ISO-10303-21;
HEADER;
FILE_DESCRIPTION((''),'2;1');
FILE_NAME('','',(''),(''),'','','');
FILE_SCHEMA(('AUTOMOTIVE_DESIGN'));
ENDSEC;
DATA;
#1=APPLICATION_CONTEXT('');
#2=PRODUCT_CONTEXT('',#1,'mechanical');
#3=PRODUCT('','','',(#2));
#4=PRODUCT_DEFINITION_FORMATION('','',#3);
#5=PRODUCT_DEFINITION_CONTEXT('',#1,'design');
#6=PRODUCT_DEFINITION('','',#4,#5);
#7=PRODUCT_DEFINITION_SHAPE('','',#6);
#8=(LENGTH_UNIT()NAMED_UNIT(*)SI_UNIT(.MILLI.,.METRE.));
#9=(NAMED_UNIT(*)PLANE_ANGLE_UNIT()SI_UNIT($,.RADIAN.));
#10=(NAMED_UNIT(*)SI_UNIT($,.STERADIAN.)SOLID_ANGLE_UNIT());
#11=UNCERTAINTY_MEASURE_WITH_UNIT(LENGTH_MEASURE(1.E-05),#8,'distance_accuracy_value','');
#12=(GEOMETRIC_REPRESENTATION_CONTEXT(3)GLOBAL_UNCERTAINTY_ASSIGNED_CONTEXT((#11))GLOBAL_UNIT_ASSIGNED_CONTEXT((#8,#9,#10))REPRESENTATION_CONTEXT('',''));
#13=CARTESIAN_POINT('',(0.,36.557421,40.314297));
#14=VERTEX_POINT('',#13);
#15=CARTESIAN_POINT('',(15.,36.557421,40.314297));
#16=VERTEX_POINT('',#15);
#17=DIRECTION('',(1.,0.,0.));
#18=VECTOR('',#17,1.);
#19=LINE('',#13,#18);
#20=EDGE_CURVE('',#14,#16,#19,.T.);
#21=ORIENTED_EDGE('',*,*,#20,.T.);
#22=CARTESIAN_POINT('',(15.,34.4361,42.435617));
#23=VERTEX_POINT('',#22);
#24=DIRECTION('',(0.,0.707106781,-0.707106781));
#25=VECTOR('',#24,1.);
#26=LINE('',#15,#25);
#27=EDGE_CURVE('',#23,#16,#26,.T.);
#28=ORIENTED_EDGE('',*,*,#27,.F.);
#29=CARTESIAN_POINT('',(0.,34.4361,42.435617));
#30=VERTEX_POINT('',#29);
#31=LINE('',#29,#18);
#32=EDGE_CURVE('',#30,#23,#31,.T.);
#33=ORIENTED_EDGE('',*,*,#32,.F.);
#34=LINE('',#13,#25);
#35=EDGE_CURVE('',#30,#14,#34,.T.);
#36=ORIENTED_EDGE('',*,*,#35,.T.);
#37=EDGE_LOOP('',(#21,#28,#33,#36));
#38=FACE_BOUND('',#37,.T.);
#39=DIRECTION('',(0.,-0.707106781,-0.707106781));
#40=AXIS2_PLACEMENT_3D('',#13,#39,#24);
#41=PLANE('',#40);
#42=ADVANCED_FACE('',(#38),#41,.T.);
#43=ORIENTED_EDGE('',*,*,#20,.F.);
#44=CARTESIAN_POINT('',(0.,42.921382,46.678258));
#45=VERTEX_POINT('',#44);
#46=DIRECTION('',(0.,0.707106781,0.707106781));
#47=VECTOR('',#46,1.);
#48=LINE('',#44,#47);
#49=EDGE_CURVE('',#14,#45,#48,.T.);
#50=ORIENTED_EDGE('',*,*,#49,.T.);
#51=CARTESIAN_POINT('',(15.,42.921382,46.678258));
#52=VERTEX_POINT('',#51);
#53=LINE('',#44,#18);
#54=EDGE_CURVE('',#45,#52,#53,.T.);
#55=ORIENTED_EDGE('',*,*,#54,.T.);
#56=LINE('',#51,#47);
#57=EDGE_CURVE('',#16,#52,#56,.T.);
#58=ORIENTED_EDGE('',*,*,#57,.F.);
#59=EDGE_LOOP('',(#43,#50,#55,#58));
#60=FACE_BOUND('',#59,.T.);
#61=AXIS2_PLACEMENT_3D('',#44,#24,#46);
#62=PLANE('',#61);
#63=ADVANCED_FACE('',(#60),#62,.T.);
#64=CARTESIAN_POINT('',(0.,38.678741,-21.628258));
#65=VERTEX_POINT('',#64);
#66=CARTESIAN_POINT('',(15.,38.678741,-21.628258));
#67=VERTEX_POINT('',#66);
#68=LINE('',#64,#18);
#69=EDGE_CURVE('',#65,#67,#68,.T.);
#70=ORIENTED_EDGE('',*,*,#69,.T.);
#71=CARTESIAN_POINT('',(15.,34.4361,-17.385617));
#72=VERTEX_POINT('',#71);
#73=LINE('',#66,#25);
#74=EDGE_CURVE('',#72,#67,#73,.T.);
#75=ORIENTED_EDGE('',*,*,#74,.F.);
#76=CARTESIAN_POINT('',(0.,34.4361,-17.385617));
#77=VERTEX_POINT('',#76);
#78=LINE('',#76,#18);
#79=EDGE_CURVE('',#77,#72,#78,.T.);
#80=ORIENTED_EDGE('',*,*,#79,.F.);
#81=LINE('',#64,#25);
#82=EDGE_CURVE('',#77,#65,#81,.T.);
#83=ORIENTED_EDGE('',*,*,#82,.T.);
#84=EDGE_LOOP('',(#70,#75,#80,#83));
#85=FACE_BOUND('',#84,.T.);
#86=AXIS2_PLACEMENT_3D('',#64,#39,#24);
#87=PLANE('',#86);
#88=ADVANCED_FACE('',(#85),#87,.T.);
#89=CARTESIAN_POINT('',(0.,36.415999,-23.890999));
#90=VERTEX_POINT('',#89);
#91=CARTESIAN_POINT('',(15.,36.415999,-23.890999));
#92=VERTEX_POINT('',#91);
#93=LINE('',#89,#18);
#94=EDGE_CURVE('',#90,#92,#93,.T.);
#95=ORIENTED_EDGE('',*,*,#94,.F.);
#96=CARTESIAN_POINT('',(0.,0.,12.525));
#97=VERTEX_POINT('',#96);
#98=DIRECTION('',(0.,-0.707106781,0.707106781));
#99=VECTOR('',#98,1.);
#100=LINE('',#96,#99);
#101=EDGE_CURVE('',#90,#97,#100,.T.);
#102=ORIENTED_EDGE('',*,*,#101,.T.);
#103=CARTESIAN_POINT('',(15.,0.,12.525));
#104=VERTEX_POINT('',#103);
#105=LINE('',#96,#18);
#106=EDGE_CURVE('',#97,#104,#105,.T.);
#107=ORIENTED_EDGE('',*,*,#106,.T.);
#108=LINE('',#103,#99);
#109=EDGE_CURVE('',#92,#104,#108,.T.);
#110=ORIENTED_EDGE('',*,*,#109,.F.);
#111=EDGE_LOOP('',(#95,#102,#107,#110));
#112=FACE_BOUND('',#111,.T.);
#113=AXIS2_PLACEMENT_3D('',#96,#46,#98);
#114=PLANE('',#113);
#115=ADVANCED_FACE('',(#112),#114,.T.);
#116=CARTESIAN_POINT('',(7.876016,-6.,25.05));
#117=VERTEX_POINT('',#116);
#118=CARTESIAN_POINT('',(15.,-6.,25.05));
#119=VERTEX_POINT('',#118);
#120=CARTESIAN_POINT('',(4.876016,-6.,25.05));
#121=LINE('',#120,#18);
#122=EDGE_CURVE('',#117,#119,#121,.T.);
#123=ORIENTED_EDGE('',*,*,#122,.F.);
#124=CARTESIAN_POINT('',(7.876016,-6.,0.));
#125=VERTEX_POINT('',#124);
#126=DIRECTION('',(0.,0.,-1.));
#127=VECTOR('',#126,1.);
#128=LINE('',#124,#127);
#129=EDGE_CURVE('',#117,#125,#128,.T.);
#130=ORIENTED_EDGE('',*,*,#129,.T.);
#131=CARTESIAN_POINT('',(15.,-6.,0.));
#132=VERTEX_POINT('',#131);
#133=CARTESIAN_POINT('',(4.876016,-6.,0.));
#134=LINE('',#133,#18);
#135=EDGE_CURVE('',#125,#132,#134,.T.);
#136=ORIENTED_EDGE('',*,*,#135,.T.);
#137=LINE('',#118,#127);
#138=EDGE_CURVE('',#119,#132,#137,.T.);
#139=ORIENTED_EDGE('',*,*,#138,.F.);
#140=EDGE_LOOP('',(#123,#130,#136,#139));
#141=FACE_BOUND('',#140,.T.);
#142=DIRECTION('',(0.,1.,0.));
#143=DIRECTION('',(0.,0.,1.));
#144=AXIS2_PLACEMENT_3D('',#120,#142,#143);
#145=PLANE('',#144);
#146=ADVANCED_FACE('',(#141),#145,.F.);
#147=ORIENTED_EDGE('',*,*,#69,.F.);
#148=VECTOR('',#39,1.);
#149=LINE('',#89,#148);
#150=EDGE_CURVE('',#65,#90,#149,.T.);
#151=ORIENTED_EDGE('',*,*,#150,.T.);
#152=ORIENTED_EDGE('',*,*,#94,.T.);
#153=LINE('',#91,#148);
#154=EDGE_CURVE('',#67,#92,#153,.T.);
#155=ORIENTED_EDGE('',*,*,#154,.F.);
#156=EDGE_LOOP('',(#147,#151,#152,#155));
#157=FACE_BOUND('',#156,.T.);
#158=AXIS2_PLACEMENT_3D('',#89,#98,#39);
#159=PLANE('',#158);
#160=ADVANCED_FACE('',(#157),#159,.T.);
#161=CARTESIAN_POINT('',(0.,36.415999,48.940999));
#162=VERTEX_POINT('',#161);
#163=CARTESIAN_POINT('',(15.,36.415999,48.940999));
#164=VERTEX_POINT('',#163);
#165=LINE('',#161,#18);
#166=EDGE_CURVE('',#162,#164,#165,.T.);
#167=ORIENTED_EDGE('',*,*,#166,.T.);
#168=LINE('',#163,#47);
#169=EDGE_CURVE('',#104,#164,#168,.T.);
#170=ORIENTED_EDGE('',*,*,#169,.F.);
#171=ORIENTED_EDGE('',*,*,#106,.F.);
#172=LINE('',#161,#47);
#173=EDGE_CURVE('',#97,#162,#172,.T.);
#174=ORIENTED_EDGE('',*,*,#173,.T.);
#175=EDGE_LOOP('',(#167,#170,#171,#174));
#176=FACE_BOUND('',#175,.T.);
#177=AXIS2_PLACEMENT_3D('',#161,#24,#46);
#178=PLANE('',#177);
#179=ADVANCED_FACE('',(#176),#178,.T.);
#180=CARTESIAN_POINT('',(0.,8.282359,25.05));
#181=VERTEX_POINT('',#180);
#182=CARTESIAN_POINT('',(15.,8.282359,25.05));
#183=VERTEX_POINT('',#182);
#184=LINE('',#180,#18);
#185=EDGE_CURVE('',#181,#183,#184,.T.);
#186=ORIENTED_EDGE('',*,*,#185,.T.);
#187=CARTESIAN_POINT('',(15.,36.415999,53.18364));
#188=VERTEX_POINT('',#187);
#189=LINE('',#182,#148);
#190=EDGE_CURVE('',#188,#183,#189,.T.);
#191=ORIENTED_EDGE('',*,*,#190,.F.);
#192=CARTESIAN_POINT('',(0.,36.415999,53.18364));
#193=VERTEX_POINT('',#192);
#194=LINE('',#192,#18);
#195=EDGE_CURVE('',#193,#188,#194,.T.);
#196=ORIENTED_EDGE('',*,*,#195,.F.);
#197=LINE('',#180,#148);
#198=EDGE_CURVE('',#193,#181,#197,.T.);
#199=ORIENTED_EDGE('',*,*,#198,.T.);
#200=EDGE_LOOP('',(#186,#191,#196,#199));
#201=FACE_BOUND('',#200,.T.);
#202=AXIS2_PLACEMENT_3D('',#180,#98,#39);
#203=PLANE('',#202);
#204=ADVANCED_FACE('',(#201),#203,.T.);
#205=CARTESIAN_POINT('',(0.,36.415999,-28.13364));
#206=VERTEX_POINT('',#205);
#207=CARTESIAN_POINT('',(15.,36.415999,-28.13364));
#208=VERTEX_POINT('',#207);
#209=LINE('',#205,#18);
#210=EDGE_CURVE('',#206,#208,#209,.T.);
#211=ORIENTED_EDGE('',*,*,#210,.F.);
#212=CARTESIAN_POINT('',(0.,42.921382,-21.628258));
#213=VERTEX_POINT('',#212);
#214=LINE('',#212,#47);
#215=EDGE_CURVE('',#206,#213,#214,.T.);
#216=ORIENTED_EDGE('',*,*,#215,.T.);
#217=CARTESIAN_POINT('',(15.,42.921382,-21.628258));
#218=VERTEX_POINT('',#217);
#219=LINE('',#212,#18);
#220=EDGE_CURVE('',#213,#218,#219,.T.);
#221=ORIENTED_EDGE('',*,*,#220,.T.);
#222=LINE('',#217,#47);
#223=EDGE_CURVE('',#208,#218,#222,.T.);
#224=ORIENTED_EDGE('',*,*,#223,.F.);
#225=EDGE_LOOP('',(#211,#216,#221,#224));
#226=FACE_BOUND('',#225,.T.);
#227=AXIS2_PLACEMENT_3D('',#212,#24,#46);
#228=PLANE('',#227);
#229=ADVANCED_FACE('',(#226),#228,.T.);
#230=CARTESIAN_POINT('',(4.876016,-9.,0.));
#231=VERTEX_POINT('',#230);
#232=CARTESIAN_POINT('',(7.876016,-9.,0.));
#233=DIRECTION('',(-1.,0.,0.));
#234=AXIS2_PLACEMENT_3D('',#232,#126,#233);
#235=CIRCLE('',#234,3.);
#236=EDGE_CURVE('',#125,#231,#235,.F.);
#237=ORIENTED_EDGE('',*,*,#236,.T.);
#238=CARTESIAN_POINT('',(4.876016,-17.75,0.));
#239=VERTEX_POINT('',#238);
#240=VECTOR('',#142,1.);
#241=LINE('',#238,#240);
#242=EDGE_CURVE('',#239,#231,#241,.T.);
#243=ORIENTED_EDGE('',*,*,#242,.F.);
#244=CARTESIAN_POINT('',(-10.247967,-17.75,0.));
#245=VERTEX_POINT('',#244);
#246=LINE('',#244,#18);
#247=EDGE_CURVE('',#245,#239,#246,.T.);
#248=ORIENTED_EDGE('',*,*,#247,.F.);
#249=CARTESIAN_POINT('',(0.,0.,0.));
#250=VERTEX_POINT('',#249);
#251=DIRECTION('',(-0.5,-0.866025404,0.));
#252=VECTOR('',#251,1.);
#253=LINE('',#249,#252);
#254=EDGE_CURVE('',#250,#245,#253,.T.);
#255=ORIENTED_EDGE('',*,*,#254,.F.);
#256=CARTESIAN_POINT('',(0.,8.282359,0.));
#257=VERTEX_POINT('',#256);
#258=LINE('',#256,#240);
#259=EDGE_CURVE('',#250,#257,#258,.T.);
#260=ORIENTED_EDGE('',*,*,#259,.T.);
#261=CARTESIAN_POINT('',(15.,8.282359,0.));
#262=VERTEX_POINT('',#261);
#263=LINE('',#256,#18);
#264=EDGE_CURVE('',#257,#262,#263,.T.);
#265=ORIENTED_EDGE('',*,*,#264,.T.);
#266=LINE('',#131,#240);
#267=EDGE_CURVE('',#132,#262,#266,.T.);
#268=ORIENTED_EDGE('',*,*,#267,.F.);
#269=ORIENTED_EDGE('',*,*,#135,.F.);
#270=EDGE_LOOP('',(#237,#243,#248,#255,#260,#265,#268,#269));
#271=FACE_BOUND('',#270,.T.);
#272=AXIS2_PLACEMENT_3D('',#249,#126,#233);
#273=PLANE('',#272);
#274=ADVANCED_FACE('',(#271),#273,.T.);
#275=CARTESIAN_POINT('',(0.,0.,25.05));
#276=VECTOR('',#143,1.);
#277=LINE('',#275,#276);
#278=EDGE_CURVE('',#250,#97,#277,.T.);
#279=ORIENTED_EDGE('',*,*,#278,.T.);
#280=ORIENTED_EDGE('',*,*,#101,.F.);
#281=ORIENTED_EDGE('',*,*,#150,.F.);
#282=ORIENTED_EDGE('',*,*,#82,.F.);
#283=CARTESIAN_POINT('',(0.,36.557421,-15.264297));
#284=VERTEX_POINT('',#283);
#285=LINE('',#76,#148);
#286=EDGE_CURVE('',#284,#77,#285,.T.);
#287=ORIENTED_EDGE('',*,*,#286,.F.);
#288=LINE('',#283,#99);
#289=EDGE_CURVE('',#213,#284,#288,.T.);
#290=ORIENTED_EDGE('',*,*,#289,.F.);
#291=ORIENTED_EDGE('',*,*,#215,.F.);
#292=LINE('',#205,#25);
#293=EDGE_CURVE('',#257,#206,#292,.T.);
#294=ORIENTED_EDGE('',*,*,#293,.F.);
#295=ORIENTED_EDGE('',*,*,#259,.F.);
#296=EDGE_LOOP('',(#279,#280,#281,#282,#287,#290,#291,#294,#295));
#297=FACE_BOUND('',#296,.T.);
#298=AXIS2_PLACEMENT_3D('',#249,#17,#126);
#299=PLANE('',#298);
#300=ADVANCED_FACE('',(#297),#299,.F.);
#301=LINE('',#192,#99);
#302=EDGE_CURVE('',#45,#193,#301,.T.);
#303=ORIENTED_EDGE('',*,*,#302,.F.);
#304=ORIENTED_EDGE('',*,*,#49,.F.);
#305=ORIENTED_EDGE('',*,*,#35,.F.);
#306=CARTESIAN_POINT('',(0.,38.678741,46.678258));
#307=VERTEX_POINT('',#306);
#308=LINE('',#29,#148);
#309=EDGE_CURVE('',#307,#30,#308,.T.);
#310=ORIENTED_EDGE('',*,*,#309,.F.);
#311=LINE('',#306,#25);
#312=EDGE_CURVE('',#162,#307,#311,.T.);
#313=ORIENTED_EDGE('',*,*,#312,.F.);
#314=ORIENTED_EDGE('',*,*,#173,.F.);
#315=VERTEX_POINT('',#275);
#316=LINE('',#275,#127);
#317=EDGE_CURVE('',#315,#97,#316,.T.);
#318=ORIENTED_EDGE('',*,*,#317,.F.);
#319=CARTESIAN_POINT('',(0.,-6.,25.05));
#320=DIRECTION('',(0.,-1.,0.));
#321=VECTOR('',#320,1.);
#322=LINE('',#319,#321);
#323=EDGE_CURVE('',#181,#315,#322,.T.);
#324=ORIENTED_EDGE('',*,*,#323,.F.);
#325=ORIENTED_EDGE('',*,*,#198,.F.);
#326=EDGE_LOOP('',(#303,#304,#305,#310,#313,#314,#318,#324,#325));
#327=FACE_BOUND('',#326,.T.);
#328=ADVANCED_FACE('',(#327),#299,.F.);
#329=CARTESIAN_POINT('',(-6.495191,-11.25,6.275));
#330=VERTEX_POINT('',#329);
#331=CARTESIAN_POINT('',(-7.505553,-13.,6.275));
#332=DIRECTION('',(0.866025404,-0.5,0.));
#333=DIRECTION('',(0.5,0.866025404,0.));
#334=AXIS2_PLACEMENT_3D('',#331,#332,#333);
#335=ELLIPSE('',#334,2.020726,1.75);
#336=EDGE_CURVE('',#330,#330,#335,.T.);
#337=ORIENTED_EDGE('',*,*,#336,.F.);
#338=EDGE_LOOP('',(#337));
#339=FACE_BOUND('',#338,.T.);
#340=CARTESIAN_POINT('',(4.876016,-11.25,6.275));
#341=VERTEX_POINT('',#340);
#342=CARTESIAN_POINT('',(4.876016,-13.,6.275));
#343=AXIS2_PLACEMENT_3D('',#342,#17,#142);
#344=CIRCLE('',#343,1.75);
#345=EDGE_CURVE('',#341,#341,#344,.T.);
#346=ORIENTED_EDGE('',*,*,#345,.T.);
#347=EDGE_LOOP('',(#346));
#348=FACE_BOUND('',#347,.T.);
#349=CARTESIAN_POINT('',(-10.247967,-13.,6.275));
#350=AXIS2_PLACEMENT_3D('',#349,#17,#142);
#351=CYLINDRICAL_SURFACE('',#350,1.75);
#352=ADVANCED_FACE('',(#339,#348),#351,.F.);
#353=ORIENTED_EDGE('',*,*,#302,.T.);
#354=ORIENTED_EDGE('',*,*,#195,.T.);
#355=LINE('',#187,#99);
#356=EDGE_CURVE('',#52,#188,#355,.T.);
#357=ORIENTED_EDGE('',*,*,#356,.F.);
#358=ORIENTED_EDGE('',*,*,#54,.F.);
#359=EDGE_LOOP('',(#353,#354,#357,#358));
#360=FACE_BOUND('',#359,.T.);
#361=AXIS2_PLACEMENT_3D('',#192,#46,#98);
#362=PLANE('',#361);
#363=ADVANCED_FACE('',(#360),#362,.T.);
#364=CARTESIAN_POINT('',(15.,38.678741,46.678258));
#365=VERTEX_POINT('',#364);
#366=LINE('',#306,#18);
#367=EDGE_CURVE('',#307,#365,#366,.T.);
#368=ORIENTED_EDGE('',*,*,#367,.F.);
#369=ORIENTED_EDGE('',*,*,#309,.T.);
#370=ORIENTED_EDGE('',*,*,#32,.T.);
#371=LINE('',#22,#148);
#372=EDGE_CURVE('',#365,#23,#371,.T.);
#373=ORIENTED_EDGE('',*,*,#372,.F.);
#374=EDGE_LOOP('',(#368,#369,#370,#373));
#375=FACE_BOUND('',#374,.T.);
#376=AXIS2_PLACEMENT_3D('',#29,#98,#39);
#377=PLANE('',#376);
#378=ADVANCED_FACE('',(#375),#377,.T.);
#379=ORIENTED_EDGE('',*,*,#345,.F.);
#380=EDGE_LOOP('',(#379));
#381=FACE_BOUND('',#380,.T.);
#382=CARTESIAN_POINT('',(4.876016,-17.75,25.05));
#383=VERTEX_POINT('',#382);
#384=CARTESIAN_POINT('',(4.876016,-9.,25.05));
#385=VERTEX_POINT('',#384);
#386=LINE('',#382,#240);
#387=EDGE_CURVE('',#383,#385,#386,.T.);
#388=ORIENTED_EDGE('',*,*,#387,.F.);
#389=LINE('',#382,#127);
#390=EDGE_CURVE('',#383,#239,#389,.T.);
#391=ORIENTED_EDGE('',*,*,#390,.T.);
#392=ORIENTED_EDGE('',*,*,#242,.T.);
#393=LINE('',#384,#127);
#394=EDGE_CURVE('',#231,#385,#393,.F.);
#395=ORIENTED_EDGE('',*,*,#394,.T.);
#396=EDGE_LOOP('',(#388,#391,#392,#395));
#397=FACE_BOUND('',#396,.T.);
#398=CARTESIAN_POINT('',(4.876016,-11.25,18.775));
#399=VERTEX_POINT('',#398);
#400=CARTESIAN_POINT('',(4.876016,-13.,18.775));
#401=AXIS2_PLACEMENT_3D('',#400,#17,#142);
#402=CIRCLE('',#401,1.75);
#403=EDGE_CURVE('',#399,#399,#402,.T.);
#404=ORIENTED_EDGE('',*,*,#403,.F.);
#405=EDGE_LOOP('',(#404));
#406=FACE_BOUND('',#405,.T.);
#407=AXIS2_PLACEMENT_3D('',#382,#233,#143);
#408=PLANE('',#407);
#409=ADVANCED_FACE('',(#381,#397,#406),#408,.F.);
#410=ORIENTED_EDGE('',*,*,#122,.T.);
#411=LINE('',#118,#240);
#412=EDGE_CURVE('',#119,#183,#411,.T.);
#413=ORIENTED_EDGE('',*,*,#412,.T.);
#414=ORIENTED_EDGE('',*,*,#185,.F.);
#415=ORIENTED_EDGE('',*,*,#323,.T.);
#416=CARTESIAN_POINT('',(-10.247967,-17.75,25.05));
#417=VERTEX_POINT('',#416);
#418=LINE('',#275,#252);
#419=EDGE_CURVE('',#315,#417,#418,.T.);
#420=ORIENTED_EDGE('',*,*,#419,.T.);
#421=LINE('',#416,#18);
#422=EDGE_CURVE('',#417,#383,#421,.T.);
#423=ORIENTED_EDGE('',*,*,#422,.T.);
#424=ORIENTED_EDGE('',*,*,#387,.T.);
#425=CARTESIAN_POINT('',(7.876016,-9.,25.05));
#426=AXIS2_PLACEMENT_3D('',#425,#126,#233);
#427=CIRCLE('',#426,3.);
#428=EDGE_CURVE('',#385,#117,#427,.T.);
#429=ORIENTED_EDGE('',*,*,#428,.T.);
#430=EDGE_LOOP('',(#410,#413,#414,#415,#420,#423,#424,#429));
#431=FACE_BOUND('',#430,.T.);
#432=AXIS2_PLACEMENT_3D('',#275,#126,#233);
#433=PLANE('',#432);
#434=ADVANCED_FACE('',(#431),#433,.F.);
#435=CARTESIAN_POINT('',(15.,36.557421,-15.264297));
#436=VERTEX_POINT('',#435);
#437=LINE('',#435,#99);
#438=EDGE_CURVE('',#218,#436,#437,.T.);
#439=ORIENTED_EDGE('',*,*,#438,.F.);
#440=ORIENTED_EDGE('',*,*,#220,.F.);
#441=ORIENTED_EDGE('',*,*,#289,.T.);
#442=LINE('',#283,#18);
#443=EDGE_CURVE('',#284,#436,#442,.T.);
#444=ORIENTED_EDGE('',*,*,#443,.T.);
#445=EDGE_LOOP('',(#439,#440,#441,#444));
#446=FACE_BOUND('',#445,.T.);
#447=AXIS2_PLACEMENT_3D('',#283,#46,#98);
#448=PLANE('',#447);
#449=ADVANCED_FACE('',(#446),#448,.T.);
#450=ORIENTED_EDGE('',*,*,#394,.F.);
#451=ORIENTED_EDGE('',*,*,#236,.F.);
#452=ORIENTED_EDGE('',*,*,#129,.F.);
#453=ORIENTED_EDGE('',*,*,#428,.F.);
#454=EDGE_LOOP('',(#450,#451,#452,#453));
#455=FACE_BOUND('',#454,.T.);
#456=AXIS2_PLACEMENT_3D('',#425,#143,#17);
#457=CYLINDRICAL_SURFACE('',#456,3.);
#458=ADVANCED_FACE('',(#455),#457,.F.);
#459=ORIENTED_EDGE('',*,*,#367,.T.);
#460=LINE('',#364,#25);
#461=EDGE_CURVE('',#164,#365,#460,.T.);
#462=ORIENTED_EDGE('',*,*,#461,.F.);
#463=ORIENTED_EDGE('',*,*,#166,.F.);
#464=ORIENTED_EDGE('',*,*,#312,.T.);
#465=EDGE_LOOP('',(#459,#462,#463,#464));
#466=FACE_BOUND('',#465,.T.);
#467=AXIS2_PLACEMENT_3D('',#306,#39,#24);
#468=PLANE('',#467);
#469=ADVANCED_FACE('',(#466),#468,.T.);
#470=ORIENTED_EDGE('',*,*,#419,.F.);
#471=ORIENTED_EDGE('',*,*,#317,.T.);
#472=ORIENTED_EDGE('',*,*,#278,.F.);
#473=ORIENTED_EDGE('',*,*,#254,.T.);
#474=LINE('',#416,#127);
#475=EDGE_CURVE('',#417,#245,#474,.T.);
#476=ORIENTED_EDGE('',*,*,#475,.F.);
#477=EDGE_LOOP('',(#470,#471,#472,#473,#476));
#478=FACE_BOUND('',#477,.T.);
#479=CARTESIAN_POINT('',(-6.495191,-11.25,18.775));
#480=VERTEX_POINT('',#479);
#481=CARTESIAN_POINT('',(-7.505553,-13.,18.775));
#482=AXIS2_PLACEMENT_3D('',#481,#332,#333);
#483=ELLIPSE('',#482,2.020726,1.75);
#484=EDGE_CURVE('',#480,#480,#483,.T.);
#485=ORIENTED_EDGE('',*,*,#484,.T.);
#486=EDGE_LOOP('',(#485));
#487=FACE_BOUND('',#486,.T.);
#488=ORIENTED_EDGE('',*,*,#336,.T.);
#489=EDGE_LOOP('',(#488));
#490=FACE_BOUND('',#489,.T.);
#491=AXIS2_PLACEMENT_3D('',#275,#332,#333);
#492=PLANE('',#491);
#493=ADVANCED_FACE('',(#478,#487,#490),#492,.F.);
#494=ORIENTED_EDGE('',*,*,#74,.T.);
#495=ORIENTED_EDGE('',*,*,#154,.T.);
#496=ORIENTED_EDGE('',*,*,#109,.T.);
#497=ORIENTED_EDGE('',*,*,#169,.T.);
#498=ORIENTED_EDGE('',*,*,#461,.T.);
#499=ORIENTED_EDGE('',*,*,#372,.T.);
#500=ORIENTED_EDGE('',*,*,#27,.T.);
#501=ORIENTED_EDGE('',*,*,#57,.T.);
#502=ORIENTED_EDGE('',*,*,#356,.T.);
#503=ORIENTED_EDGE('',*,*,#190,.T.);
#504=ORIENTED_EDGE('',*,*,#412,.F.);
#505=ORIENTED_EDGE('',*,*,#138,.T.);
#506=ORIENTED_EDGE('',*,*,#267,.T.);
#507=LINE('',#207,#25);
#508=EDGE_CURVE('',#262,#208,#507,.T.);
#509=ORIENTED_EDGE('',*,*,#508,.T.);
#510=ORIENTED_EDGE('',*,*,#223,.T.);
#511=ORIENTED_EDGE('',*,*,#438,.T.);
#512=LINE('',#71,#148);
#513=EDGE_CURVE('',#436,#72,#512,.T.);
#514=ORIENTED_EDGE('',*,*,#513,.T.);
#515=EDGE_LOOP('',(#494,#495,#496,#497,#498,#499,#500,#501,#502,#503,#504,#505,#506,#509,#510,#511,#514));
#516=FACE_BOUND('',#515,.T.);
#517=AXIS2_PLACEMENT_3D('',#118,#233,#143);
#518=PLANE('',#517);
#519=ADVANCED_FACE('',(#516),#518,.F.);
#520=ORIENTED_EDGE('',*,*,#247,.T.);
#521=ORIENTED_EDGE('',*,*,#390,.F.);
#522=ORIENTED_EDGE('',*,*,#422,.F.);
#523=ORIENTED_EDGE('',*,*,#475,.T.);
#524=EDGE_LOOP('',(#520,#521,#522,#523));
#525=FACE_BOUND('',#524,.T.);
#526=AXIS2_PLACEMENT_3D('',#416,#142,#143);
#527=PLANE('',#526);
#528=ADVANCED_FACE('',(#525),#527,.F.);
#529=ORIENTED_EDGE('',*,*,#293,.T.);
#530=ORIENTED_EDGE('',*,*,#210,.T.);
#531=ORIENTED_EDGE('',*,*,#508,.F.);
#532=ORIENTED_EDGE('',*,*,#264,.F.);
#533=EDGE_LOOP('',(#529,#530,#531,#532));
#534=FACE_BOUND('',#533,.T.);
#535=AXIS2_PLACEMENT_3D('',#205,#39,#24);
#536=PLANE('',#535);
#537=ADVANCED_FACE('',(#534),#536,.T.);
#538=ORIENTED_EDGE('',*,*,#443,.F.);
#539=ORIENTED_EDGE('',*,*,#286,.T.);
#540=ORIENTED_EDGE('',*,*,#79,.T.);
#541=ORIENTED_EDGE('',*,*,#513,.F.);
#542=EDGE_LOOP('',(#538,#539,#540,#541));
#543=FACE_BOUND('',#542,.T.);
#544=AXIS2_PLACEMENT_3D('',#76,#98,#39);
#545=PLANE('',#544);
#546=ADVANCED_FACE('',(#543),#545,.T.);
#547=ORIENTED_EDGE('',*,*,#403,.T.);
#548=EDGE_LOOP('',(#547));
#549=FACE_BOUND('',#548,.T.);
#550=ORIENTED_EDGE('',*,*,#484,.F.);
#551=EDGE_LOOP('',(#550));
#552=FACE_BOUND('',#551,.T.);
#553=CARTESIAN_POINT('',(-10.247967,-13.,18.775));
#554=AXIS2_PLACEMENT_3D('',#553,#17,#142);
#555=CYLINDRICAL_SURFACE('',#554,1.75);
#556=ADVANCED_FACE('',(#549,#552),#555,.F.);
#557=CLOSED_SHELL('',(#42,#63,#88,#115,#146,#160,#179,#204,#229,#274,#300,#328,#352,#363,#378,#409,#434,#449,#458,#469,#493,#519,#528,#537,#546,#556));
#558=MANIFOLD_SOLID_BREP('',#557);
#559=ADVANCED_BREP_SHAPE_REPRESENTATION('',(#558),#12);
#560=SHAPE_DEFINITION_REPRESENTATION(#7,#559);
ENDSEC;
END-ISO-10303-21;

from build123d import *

# Parameters (mm, degrees)
BOSS_EXTRUDE1_DEPTH = 25.05
SKETCH3_R           = 1.75
CUT_EXTRUDE2_DEPTH  = 35.224258664
FILLET1_R           = 3
BOSS_EXTRUDE2_DEPTH = 15


with BuildPart() as part:
    # Sketch1 → Boss-Extrude1 (new body)
    with BuildSketch(Plane.XY):
        Polygon((0, 0), (-10.247967278, -17.75), (4.876016361, -17.75), (4.876016361, -6), (15, -6), (15, 0), align=None)
    extrude(amount=BOSS_EXTRUDE1_DEPTH)

    # Sketch3 → Cut-Extrude2 (cut, through all)
    with BuildSketch(Plane(origin=(4.876016361, 0, 0), x_dir=(0, 0, -1), z_dir=(1, 0, 0))):
        with Locations(Location((-18.775, -13, 0), (0, 0, 90))):
            Circle(SKETCH3_R)
        with Locations(Location((-6.275, -13, 0), (0, 0, 90))):
            Circle(SKETCH3_R)
    extrude(amount=-CUT_EXTRUDE2_DEPTH, mode=Mode.SUBTRACT)

    # Fillet1
    fillet1_edges = [part.edges().sort_by_distance(p)[0] for p in [
        (4.876016361, -6, 12.525),
    ]]
    fillet(fillet1_edges, radius=FILLET1_R)

    # Sketch4 → Boss-Extrude2 (add)
    with BuildSketch(Plane(origin=(15, 0, 0), x_dir=(0, 0, -1), z_dir=(1, 0, 0))):
        Polygon((-25.05, 8.282359313), (-53.183639918, 36.415999231), (-46.678257531, 42.921381618), (-40.314296501, 36.557420587), (-42.435616844, 34.436100244), (-46.678257531, 38.678740931), (-48.940999231, 36.415999231), (-12.525, 0), (23.890999231, 36.415999231), (21.628257531, 38.678740931), (17.385616844, 34.436100244), (15.264296501, 36.557420587), (21.628257531, 42.921381618), (28.133639918, 36.415999231), (0, 8.282359313), (0, -6), (-25.05, -6), align=None)
    extrude(amount=-BOSS_EXTRUDE2_DEPTH)


solid = part.part
